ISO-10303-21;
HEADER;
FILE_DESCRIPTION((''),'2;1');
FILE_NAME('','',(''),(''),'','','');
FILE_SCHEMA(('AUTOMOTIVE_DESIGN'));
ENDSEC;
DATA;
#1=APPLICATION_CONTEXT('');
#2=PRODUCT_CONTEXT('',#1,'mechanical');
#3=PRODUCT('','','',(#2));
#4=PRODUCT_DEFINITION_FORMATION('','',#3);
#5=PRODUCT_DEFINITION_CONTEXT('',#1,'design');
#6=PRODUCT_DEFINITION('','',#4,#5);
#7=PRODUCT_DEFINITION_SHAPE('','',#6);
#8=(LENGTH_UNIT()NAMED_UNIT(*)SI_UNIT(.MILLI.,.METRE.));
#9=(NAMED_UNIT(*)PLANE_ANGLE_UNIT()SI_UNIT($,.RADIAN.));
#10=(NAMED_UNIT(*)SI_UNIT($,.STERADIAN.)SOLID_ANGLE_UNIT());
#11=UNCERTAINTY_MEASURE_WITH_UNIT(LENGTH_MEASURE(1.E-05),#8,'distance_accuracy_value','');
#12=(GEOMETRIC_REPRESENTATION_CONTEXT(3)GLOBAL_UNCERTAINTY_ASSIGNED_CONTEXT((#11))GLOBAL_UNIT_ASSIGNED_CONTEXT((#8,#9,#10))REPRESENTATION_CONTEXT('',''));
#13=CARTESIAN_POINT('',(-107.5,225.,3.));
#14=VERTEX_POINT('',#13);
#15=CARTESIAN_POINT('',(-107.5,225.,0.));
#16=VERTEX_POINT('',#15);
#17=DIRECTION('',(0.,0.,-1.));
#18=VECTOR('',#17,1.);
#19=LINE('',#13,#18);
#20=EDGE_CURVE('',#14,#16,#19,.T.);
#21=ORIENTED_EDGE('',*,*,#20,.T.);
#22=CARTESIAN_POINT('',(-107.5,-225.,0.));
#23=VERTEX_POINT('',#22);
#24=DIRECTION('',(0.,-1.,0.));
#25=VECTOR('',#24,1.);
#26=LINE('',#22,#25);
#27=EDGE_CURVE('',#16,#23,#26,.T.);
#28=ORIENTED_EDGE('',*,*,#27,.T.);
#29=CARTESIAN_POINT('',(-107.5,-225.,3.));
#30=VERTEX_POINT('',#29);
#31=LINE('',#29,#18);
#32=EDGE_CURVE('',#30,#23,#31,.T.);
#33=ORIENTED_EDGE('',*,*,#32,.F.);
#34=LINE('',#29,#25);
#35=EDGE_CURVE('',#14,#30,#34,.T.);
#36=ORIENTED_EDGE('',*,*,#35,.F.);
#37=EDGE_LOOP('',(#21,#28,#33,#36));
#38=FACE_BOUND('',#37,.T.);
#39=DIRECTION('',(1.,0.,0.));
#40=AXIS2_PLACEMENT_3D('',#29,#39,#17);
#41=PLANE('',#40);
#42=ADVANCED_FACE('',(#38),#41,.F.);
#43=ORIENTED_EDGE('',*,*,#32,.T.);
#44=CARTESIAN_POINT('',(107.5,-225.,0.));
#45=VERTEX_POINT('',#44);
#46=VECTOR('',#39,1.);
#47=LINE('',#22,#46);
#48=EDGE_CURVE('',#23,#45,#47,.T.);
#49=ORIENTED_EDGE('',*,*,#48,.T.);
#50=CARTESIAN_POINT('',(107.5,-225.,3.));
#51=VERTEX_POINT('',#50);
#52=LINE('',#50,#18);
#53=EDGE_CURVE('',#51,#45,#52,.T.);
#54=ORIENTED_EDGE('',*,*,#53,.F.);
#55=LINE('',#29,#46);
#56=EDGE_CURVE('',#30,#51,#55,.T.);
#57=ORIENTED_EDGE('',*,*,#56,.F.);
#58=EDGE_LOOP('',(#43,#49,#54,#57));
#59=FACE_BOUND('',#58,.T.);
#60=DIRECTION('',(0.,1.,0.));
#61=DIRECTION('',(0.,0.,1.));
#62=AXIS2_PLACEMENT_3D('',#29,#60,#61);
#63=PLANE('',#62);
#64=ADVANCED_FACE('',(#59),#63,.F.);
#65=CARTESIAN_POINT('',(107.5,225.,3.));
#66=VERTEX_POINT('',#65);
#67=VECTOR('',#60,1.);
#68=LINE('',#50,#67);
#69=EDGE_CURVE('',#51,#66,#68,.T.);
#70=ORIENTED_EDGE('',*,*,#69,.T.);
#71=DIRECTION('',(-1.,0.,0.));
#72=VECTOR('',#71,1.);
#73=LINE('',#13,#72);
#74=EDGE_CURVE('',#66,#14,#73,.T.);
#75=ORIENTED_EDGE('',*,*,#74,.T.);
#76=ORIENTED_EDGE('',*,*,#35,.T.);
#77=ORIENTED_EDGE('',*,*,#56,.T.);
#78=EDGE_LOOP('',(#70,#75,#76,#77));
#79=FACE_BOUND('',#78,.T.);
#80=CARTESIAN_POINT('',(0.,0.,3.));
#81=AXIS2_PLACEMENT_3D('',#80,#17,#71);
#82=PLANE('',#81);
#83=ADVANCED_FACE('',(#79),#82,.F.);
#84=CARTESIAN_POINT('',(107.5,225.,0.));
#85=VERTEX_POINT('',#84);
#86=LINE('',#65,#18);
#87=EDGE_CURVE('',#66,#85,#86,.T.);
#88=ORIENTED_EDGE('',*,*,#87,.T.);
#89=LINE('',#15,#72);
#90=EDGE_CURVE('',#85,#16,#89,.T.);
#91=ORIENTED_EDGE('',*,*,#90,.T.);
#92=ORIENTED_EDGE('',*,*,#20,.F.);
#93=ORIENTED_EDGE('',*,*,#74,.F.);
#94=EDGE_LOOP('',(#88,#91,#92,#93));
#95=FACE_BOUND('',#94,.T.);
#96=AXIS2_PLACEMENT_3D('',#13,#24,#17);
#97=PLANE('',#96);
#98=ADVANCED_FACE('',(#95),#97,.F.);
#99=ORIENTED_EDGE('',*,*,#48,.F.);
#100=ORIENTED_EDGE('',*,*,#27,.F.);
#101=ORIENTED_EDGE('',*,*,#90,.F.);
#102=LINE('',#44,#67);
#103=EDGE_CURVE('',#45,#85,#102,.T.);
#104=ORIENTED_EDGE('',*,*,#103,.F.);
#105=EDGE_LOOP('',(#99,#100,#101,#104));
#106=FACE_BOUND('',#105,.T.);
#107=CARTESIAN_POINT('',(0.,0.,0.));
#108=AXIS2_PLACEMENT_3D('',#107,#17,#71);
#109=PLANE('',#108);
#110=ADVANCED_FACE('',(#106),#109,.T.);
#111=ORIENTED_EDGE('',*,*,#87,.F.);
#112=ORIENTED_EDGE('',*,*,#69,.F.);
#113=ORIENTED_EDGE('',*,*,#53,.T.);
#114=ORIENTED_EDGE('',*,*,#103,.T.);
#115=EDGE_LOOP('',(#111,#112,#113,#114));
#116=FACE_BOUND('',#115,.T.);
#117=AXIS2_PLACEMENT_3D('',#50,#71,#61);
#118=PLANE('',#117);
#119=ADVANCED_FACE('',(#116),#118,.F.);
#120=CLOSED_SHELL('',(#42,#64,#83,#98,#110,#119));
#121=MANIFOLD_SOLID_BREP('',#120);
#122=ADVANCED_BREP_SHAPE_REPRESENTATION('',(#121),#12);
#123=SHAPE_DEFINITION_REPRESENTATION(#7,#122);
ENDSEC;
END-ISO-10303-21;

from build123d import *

# Parameters (mm, degrees)
SKETCH_2_W      = 215
SKETCH_2_H      = 450
EXTRUDE_1_DEPTH = 3


with BuildPart() as part:
    # 草图2 → 凸台-拉伸1 (new body)
    with BuildSketch(Plane.XY):
        Rectangle(SKETCH_2_W, SKETCH_2_H)
    extrude(amount=EXTRUDE_1_DEPTH)


solid = part.part
